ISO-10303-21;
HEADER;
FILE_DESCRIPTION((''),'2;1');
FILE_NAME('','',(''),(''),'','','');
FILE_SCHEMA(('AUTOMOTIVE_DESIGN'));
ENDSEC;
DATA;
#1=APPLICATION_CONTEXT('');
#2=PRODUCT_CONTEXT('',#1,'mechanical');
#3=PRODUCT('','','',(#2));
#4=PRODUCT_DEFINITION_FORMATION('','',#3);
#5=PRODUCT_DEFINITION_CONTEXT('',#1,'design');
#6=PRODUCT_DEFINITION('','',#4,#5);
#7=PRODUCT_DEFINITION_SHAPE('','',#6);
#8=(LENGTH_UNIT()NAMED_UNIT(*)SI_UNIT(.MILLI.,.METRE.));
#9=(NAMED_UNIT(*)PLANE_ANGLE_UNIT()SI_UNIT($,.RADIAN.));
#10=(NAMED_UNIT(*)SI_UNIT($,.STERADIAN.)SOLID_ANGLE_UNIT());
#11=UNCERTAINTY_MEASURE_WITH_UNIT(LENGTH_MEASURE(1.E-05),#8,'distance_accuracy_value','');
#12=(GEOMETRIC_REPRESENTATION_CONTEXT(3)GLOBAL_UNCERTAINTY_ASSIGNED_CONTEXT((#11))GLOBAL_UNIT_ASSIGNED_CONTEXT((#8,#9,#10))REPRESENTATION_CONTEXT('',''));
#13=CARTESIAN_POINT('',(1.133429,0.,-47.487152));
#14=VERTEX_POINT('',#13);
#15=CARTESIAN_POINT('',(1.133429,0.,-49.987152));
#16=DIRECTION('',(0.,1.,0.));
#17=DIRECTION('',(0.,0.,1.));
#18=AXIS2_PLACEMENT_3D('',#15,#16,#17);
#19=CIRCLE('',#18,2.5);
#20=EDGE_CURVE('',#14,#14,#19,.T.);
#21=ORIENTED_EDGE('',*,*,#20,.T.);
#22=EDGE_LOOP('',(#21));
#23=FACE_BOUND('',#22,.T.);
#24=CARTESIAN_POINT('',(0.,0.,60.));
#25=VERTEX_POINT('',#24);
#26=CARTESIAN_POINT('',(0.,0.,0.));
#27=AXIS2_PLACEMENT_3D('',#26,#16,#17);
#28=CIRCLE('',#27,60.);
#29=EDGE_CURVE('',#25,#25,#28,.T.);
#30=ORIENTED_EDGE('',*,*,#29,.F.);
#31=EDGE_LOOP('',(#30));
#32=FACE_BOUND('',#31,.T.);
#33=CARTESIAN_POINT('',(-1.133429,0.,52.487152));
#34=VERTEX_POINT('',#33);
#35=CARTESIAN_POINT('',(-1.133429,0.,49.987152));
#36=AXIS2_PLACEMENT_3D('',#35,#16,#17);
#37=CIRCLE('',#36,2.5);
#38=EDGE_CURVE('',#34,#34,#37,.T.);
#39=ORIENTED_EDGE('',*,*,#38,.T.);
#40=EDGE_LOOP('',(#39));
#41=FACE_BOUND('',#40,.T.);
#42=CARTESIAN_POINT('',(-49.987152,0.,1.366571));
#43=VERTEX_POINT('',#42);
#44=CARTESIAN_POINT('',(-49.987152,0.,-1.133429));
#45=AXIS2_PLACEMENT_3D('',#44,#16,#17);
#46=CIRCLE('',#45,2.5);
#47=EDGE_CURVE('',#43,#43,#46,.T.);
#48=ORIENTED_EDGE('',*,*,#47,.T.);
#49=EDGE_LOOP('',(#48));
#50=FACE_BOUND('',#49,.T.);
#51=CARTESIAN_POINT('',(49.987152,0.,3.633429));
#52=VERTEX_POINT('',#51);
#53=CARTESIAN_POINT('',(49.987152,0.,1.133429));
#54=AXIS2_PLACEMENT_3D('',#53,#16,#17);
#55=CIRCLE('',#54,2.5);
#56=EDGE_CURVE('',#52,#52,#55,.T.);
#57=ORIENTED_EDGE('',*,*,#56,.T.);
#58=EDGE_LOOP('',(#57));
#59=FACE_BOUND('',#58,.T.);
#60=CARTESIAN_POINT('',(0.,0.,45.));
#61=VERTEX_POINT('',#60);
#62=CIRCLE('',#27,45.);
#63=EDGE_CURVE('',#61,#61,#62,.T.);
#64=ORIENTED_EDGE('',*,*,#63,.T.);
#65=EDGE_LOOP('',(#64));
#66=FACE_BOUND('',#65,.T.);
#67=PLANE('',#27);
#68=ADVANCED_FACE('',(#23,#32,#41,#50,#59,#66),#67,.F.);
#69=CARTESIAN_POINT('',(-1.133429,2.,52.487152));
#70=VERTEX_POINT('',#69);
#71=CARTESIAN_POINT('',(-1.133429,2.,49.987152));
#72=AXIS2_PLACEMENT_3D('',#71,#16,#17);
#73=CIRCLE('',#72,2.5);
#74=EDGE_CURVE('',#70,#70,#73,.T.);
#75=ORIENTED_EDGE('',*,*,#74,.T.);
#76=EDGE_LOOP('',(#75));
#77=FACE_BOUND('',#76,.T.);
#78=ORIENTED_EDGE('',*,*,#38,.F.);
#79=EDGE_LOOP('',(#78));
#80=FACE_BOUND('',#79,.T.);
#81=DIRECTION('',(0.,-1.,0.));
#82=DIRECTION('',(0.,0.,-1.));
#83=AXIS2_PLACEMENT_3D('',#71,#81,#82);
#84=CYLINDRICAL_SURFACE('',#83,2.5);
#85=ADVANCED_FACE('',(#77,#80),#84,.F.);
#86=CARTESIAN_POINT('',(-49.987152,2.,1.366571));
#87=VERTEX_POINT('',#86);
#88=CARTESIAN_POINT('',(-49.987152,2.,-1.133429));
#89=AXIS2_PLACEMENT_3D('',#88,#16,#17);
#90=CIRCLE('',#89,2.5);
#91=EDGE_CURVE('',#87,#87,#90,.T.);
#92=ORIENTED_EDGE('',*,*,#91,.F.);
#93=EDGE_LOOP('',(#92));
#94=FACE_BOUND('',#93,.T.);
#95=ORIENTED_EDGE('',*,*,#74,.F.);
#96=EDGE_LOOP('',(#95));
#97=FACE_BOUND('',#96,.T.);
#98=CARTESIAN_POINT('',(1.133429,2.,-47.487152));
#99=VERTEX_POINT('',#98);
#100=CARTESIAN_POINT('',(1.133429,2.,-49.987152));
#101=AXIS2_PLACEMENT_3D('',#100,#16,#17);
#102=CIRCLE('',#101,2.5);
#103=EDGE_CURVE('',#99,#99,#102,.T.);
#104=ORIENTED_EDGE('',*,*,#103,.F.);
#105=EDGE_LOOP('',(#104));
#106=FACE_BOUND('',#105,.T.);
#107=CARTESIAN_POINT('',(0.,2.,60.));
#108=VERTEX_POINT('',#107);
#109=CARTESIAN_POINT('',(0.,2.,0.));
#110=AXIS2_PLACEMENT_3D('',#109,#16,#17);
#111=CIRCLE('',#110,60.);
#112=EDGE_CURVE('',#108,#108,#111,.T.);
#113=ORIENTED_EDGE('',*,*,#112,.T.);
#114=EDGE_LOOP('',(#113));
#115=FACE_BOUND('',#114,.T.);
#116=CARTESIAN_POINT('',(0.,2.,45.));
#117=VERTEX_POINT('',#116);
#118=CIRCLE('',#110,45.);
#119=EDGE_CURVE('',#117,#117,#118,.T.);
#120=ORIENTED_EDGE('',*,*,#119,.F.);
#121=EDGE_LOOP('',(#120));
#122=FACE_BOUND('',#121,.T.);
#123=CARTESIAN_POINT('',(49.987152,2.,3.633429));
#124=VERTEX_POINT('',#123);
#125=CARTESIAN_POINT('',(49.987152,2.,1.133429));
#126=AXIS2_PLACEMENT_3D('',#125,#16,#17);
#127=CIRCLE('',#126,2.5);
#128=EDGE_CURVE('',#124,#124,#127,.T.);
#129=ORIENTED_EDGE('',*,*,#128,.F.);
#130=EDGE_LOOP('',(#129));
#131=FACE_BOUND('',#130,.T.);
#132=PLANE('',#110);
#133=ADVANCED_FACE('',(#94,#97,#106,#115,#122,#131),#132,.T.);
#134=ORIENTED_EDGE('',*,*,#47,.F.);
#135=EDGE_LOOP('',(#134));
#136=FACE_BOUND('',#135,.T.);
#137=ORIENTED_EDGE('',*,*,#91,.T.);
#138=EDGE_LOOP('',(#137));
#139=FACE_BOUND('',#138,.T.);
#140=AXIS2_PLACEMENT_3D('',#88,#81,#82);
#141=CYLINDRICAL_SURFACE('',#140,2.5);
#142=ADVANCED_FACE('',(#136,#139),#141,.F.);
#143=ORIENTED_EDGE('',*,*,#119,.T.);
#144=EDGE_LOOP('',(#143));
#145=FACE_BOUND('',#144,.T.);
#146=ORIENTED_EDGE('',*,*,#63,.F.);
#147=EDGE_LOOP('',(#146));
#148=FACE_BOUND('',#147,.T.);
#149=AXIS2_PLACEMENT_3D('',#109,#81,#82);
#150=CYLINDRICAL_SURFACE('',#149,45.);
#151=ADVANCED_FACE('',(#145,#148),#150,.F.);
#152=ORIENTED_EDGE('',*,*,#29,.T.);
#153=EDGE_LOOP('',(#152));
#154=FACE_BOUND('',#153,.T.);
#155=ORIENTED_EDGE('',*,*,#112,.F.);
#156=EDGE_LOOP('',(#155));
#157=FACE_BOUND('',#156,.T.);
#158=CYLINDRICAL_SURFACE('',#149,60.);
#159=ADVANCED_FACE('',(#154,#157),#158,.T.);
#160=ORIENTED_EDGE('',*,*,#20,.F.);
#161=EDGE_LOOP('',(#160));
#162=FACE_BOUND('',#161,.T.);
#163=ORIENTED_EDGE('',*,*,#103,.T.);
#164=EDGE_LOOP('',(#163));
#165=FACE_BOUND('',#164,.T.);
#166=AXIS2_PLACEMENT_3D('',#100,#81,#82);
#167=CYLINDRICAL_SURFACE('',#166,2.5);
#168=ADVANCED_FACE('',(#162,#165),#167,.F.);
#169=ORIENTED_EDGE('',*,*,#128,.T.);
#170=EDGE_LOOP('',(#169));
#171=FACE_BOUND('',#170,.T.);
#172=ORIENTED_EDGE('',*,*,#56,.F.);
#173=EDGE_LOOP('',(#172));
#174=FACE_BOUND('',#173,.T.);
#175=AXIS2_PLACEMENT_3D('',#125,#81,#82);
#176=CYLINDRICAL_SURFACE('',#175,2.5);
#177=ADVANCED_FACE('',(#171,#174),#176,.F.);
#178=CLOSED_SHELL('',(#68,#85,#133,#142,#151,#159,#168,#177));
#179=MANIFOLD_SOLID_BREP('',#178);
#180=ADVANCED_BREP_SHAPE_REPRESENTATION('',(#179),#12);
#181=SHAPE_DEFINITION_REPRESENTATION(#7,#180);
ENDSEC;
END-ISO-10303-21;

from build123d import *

# Parameters (mm, degrees)
SKETCH_1_R      = 60
SKETCH_1_R_2    = 45
SKETCH_1_R_3    = 2.5
EXTRUDE_1_DEPTH = 2


with BuildPart() as part:
    # 草图1 → 凸台-拉伸1 (new body)
    with BuildSketch(Plane(origin=(0, 0, 0), x_dir=(1, 0, 0), z_dir=(0, 1, 0))):
        with Locations(Location((0, 0, 0), (0, 0, 270))):
            Circle(SKETCH_1_R)
        with Locations(Location((0, 0, 0), (0, 0, 270))):
            Circle(SKETCH_1_R_2, mode=Mode.SUBTRACT)
        with Locations(Location((1.133429405, 49.987151727, 0), (0, 0, 270))):
            Circle(SKETCH_1_R_3, mode=Mode.SUBTRACT)
        with Locations(Location((49.987151727, -1.133429405, 0), (0, 0, 270))):
            Circle(SKETCH_1_R_3, mode=Mode.SUBTRACT)
        with Locations(Location((-1.133429405, -49.987151727, 0), (0, 0, 270))):
            Circle(SKETCH_1_R_3, mode=Mode.SUBTRACT)
        with Locations(Location((-49.987151727, 1.133429405, 0), (0, 0, 270))):
            Circle(SKETCH_1_R_3, mode=Mode.SUBTRACT)
    extrude(amount=EXTRUDE_1_DEPTH)


solid = part.part
